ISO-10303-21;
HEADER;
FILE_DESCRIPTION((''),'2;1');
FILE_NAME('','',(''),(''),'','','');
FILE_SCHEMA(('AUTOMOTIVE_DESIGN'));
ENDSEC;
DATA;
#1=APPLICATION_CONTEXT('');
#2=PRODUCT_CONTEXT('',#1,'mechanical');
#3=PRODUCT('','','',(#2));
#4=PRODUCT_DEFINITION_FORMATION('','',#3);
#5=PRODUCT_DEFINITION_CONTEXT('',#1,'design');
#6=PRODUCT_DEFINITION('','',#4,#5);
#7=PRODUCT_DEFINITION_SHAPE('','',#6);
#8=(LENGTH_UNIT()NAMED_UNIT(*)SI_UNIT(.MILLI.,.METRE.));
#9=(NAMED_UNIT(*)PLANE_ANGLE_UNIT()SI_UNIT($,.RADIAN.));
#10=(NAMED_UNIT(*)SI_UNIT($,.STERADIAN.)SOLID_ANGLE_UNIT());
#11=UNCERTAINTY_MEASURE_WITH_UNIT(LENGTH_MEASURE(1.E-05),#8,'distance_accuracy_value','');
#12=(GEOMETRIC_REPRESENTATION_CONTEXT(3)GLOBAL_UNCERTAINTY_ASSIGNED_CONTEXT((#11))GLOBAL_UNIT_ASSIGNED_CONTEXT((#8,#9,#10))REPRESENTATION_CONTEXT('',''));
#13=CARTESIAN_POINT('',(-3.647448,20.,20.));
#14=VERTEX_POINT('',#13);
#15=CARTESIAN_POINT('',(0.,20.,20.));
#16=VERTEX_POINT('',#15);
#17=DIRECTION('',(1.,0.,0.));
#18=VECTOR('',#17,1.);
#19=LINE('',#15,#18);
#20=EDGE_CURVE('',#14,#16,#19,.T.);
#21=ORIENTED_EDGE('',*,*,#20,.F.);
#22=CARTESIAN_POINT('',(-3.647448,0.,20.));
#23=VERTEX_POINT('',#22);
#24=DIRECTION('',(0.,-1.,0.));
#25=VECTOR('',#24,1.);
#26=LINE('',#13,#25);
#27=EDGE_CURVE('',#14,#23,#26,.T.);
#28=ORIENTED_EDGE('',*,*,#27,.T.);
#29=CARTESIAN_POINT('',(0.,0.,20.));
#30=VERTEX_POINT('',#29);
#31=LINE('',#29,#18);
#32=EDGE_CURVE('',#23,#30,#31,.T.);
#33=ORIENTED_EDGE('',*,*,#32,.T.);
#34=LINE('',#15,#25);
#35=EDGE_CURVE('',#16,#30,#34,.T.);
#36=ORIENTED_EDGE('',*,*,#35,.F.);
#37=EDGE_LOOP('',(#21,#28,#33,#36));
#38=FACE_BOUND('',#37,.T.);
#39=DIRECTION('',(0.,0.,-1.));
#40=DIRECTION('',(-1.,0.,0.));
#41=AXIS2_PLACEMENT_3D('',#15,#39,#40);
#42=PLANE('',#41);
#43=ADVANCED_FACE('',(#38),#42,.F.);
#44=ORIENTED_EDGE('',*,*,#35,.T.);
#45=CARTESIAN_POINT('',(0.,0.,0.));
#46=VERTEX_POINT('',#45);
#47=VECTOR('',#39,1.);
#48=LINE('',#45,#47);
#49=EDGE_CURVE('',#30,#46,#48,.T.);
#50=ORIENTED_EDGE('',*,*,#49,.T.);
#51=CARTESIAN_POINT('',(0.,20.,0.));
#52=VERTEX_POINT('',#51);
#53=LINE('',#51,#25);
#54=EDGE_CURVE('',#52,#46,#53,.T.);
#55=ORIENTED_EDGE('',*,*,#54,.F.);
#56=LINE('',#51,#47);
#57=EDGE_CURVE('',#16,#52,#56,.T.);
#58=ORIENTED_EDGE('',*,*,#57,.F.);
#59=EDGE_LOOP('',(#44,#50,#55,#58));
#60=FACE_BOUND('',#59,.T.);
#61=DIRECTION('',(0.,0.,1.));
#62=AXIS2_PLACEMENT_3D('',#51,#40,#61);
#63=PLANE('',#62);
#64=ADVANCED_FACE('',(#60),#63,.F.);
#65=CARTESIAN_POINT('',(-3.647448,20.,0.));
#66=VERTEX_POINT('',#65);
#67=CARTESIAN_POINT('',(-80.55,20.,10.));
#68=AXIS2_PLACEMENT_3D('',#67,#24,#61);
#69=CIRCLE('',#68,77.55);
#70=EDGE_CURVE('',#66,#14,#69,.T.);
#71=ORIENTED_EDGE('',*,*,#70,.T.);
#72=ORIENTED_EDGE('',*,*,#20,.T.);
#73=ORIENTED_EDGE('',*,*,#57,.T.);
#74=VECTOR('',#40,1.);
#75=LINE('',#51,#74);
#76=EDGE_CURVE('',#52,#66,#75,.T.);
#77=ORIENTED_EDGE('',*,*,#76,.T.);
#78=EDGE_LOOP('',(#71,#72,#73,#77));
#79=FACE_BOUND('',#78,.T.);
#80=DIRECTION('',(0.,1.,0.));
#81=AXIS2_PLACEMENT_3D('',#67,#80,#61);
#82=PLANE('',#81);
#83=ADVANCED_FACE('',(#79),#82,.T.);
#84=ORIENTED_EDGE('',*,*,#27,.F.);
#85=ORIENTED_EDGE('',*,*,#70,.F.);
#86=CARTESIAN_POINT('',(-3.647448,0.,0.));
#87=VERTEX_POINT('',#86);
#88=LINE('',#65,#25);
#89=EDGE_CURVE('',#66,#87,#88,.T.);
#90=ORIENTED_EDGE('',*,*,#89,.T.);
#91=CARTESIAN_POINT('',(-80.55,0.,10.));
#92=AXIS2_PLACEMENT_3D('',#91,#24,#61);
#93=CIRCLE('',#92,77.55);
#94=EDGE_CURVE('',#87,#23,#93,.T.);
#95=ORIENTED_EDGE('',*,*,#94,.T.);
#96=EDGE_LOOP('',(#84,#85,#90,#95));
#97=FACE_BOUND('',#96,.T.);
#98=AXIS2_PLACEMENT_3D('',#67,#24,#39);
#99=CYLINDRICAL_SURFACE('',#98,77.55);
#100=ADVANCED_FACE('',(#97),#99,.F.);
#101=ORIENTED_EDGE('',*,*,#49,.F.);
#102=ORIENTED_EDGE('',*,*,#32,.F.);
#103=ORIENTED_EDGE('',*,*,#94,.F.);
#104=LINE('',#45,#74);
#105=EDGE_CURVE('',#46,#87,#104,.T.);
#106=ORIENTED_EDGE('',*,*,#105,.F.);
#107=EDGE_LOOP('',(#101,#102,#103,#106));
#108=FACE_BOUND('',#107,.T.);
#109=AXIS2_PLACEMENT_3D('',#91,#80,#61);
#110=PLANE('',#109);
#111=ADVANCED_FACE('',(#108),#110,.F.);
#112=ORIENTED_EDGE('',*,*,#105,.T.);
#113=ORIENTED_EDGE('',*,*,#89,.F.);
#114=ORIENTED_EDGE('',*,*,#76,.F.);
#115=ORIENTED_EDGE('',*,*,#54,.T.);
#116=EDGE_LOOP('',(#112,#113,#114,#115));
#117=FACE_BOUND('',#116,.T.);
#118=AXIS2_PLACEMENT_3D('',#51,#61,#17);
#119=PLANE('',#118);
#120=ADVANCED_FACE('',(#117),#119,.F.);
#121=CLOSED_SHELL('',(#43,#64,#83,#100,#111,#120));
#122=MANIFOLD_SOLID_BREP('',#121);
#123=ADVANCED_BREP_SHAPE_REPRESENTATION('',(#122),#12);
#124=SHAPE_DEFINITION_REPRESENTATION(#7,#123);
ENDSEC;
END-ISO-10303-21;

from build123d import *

# Parameters (mm, degrees)
EXTRUDE_1_DEPTH = 20


with BuildPart() as part:
    # 草图1 → 凸台-拉伸1 (new body)
    with BuildSketch(Plane(origin=(0, 0, 0), x_dir=(1, 0, 0), z_dir=(0, 1, 0))):
        with BuildLine():
            Line((0, 0), (0, -20))
            Line((0, -20), (-3.647448027, -20))
            ThreePointArc((-3.647448027, -20), (-3, -10), (-3.647448027, 0))
            Line((-3.647448027, 0), (0, 0))
        make_face()
    extrude(amount=EXTRUDE_1_DEPTH)


solid = part.part
